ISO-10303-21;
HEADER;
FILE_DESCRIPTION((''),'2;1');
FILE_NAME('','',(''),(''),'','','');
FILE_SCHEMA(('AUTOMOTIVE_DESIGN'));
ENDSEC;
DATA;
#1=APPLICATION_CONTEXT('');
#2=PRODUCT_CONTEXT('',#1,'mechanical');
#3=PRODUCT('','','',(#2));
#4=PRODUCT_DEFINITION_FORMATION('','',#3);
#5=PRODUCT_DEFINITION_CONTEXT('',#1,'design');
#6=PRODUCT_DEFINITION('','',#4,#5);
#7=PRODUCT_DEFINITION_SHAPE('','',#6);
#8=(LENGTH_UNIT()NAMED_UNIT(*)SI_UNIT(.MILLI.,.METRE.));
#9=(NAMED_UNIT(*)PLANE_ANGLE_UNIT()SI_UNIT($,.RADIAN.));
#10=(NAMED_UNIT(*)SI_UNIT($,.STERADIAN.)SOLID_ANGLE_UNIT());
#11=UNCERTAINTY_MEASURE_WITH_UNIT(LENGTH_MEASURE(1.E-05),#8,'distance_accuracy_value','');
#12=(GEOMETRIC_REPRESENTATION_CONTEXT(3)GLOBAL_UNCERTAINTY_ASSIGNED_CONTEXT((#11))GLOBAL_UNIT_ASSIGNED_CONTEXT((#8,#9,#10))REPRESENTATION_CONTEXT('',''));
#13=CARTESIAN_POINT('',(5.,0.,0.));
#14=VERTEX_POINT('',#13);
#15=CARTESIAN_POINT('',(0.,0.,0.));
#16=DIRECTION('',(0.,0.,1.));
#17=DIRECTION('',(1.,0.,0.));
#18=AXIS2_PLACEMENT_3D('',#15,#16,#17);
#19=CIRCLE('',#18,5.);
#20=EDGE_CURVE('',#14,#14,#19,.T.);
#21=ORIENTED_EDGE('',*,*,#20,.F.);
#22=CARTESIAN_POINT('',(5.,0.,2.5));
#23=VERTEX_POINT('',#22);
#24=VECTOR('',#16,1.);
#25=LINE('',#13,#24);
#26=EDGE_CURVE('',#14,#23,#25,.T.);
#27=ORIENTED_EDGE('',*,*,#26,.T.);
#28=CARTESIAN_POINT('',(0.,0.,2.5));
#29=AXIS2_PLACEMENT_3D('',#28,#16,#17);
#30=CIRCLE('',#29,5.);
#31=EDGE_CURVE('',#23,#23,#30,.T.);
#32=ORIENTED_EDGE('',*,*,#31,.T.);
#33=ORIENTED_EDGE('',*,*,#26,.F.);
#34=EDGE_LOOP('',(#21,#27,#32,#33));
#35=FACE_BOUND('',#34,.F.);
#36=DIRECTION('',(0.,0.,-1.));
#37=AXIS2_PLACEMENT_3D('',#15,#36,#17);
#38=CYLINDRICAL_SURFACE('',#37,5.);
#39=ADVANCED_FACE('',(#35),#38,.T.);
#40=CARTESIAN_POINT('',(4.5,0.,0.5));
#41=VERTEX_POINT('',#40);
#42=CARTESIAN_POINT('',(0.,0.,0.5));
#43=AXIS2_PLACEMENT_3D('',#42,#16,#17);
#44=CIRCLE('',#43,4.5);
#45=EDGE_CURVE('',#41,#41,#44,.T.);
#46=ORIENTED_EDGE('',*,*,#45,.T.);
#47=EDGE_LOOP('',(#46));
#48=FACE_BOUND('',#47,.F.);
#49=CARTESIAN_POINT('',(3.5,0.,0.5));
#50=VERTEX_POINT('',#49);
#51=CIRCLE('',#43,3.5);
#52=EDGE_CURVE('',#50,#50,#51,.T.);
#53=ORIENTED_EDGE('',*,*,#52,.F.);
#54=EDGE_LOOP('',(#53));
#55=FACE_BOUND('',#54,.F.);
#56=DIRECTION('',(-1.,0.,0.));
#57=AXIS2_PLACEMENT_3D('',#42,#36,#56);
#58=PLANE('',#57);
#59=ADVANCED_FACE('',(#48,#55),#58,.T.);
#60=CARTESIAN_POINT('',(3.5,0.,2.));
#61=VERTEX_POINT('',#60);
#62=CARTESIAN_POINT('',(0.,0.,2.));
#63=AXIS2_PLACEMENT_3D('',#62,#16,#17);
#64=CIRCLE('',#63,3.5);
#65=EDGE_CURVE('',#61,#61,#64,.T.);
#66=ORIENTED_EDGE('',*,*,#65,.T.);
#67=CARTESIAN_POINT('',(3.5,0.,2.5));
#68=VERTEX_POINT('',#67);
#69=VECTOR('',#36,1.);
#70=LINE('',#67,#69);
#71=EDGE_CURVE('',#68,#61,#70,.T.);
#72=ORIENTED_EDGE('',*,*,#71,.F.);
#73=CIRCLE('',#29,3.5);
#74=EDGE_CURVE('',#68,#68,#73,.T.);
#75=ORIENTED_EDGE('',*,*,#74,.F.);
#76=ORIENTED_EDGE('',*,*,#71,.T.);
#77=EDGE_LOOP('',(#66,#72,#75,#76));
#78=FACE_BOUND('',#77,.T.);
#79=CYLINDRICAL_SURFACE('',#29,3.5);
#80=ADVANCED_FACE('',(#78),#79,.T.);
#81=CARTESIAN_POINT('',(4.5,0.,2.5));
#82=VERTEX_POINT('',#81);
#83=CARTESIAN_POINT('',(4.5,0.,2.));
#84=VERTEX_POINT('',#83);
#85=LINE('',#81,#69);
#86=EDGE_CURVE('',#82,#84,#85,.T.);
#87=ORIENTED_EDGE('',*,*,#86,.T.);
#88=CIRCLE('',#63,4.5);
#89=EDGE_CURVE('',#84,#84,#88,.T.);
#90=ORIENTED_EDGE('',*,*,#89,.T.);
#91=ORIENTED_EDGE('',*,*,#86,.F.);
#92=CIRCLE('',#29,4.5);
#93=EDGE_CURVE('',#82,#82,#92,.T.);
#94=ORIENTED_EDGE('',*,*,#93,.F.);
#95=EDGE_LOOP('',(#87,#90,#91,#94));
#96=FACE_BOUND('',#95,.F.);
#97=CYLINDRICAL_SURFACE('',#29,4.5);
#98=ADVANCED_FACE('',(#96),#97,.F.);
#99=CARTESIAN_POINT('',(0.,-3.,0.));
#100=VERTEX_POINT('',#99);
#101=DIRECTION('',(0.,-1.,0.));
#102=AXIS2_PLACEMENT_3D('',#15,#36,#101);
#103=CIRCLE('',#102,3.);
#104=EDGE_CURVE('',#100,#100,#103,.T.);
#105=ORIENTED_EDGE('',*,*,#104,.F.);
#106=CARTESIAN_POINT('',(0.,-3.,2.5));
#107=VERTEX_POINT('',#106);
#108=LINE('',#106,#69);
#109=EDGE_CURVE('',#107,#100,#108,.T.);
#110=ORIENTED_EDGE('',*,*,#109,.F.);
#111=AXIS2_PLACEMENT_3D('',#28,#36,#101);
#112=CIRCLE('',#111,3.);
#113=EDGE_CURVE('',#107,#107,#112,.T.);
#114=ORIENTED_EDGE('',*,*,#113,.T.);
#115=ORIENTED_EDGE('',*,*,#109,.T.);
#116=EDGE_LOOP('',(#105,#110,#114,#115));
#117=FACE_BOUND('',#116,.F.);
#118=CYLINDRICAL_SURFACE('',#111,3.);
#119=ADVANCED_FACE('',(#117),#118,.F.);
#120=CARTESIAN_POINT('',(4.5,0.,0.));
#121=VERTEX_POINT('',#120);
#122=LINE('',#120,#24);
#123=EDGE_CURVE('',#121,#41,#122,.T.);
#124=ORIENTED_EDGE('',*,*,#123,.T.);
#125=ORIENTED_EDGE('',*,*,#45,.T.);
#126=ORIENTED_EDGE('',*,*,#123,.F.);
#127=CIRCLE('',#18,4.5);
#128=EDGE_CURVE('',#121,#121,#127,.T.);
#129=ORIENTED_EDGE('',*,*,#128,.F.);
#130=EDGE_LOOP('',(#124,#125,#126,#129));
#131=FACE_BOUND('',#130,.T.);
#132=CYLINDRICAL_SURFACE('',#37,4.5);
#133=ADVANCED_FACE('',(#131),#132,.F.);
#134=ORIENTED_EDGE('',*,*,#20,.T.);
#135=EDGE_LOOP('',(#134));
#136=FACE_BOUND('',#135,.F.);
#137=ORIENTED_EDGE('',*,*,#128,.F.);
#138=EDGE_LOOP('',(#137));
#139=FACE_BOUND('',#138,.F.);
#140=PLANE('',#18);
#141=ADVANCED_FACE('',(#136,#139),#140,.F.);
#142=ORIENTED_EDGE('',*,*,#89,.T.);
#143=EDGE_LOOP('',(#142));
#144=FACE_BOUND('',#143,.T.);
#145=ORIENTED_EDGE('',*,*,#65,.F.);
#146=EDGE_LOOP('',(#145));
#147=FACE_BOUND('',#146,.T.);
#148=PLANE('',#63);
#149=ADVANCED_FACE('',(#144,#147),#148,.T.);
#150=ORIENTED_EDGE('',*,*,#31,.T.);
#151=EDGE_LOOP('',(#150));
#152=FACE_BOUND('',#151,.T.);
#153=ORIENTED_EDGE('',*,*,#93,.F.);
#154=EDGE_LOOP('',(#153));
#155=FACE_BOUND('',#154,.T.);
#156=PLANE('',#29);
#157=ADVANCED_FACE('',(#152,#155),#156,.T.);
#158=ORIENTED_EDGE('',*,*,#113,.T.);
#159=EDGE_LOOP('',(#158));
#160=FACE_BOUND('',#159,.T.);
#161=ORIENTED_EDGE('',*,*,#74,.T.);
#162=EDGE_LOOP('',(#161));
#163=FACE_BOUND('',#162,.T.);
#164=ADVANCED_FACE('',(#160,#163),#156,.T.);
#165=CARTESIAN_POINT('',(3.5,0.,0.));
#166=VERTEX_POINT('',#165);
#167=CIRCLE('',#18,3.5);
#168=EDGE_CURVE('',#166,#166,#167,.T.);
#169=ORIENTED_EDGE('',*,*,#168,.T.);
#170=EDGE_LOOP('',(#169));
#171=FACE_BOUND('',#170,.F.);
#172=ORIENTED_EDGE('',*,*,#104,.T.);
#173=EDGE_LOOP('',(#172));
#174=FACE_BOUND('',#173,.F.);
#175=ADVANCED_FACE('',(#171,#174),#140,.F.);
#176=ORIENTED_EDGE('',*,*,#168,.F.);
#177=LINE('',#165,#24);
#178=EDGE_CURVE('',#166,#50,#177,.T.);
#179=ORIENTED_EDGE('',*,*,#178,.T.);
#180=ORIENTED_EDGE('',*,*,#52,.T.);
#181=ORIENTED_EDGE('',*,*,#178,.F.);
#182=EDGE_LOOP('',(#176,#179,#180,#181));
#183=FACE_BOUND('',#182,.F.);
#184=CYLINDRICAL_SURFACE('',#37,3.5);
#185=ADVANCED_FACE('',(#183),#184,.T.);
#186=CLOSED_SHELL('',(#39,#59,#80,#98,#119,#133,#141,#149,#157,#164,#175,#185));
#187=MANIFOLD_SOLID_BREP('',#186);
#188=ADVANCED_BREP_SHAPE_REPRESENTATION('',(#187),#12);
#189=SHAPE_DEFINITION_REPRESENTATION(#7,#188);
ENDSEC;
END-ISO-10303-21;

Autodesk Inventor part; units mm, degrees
ref_plane "YZ Plane" through (0, 0, 0) normal (1, 0, 0) x (0, 1, 0)
ref_plane "XZ Plane" through (0, 0, 0) normal (0, 1, 0) x (-1, 0, 0)
sketch "Sketch1" plane through (0, 0, 0) normal (0, 0, 1) x (1, 0, 0)
  circle A0 centre (0, 0) radius 5
  dimension "d0" = 10
extrude "Extrusion1" add sketch "Sketch1" along normal blind 2.5
hole "Hole1" at (0, 0, 2.5) direction (0, 0, -1) diameter 6 end through all
sketch "Sketch2" plane through (0, 0, 2.5) normal (0, 0, 1) x (1, 0, 0)
  circle A0 centre (0, 0) radius 4.5
  circle A1 centre (0, 0) radius 3.5
  dimension "d12" = 9
  dimension "d13" = 7
extrude "Extrusion2" cut sketch "Sketch2" against normal blind 0.5
ref_plane "Work Plane1" through (0, 0, 1.25) normal (0, 0, 1) x (1, 0, 0)
mirror "Mirror1" about plane through (0, 0, 1.25) normal (0, 0, 1) of "Extrusion2"
properties part number "bearing_6x10x2,5" material "Stainless Steel"
